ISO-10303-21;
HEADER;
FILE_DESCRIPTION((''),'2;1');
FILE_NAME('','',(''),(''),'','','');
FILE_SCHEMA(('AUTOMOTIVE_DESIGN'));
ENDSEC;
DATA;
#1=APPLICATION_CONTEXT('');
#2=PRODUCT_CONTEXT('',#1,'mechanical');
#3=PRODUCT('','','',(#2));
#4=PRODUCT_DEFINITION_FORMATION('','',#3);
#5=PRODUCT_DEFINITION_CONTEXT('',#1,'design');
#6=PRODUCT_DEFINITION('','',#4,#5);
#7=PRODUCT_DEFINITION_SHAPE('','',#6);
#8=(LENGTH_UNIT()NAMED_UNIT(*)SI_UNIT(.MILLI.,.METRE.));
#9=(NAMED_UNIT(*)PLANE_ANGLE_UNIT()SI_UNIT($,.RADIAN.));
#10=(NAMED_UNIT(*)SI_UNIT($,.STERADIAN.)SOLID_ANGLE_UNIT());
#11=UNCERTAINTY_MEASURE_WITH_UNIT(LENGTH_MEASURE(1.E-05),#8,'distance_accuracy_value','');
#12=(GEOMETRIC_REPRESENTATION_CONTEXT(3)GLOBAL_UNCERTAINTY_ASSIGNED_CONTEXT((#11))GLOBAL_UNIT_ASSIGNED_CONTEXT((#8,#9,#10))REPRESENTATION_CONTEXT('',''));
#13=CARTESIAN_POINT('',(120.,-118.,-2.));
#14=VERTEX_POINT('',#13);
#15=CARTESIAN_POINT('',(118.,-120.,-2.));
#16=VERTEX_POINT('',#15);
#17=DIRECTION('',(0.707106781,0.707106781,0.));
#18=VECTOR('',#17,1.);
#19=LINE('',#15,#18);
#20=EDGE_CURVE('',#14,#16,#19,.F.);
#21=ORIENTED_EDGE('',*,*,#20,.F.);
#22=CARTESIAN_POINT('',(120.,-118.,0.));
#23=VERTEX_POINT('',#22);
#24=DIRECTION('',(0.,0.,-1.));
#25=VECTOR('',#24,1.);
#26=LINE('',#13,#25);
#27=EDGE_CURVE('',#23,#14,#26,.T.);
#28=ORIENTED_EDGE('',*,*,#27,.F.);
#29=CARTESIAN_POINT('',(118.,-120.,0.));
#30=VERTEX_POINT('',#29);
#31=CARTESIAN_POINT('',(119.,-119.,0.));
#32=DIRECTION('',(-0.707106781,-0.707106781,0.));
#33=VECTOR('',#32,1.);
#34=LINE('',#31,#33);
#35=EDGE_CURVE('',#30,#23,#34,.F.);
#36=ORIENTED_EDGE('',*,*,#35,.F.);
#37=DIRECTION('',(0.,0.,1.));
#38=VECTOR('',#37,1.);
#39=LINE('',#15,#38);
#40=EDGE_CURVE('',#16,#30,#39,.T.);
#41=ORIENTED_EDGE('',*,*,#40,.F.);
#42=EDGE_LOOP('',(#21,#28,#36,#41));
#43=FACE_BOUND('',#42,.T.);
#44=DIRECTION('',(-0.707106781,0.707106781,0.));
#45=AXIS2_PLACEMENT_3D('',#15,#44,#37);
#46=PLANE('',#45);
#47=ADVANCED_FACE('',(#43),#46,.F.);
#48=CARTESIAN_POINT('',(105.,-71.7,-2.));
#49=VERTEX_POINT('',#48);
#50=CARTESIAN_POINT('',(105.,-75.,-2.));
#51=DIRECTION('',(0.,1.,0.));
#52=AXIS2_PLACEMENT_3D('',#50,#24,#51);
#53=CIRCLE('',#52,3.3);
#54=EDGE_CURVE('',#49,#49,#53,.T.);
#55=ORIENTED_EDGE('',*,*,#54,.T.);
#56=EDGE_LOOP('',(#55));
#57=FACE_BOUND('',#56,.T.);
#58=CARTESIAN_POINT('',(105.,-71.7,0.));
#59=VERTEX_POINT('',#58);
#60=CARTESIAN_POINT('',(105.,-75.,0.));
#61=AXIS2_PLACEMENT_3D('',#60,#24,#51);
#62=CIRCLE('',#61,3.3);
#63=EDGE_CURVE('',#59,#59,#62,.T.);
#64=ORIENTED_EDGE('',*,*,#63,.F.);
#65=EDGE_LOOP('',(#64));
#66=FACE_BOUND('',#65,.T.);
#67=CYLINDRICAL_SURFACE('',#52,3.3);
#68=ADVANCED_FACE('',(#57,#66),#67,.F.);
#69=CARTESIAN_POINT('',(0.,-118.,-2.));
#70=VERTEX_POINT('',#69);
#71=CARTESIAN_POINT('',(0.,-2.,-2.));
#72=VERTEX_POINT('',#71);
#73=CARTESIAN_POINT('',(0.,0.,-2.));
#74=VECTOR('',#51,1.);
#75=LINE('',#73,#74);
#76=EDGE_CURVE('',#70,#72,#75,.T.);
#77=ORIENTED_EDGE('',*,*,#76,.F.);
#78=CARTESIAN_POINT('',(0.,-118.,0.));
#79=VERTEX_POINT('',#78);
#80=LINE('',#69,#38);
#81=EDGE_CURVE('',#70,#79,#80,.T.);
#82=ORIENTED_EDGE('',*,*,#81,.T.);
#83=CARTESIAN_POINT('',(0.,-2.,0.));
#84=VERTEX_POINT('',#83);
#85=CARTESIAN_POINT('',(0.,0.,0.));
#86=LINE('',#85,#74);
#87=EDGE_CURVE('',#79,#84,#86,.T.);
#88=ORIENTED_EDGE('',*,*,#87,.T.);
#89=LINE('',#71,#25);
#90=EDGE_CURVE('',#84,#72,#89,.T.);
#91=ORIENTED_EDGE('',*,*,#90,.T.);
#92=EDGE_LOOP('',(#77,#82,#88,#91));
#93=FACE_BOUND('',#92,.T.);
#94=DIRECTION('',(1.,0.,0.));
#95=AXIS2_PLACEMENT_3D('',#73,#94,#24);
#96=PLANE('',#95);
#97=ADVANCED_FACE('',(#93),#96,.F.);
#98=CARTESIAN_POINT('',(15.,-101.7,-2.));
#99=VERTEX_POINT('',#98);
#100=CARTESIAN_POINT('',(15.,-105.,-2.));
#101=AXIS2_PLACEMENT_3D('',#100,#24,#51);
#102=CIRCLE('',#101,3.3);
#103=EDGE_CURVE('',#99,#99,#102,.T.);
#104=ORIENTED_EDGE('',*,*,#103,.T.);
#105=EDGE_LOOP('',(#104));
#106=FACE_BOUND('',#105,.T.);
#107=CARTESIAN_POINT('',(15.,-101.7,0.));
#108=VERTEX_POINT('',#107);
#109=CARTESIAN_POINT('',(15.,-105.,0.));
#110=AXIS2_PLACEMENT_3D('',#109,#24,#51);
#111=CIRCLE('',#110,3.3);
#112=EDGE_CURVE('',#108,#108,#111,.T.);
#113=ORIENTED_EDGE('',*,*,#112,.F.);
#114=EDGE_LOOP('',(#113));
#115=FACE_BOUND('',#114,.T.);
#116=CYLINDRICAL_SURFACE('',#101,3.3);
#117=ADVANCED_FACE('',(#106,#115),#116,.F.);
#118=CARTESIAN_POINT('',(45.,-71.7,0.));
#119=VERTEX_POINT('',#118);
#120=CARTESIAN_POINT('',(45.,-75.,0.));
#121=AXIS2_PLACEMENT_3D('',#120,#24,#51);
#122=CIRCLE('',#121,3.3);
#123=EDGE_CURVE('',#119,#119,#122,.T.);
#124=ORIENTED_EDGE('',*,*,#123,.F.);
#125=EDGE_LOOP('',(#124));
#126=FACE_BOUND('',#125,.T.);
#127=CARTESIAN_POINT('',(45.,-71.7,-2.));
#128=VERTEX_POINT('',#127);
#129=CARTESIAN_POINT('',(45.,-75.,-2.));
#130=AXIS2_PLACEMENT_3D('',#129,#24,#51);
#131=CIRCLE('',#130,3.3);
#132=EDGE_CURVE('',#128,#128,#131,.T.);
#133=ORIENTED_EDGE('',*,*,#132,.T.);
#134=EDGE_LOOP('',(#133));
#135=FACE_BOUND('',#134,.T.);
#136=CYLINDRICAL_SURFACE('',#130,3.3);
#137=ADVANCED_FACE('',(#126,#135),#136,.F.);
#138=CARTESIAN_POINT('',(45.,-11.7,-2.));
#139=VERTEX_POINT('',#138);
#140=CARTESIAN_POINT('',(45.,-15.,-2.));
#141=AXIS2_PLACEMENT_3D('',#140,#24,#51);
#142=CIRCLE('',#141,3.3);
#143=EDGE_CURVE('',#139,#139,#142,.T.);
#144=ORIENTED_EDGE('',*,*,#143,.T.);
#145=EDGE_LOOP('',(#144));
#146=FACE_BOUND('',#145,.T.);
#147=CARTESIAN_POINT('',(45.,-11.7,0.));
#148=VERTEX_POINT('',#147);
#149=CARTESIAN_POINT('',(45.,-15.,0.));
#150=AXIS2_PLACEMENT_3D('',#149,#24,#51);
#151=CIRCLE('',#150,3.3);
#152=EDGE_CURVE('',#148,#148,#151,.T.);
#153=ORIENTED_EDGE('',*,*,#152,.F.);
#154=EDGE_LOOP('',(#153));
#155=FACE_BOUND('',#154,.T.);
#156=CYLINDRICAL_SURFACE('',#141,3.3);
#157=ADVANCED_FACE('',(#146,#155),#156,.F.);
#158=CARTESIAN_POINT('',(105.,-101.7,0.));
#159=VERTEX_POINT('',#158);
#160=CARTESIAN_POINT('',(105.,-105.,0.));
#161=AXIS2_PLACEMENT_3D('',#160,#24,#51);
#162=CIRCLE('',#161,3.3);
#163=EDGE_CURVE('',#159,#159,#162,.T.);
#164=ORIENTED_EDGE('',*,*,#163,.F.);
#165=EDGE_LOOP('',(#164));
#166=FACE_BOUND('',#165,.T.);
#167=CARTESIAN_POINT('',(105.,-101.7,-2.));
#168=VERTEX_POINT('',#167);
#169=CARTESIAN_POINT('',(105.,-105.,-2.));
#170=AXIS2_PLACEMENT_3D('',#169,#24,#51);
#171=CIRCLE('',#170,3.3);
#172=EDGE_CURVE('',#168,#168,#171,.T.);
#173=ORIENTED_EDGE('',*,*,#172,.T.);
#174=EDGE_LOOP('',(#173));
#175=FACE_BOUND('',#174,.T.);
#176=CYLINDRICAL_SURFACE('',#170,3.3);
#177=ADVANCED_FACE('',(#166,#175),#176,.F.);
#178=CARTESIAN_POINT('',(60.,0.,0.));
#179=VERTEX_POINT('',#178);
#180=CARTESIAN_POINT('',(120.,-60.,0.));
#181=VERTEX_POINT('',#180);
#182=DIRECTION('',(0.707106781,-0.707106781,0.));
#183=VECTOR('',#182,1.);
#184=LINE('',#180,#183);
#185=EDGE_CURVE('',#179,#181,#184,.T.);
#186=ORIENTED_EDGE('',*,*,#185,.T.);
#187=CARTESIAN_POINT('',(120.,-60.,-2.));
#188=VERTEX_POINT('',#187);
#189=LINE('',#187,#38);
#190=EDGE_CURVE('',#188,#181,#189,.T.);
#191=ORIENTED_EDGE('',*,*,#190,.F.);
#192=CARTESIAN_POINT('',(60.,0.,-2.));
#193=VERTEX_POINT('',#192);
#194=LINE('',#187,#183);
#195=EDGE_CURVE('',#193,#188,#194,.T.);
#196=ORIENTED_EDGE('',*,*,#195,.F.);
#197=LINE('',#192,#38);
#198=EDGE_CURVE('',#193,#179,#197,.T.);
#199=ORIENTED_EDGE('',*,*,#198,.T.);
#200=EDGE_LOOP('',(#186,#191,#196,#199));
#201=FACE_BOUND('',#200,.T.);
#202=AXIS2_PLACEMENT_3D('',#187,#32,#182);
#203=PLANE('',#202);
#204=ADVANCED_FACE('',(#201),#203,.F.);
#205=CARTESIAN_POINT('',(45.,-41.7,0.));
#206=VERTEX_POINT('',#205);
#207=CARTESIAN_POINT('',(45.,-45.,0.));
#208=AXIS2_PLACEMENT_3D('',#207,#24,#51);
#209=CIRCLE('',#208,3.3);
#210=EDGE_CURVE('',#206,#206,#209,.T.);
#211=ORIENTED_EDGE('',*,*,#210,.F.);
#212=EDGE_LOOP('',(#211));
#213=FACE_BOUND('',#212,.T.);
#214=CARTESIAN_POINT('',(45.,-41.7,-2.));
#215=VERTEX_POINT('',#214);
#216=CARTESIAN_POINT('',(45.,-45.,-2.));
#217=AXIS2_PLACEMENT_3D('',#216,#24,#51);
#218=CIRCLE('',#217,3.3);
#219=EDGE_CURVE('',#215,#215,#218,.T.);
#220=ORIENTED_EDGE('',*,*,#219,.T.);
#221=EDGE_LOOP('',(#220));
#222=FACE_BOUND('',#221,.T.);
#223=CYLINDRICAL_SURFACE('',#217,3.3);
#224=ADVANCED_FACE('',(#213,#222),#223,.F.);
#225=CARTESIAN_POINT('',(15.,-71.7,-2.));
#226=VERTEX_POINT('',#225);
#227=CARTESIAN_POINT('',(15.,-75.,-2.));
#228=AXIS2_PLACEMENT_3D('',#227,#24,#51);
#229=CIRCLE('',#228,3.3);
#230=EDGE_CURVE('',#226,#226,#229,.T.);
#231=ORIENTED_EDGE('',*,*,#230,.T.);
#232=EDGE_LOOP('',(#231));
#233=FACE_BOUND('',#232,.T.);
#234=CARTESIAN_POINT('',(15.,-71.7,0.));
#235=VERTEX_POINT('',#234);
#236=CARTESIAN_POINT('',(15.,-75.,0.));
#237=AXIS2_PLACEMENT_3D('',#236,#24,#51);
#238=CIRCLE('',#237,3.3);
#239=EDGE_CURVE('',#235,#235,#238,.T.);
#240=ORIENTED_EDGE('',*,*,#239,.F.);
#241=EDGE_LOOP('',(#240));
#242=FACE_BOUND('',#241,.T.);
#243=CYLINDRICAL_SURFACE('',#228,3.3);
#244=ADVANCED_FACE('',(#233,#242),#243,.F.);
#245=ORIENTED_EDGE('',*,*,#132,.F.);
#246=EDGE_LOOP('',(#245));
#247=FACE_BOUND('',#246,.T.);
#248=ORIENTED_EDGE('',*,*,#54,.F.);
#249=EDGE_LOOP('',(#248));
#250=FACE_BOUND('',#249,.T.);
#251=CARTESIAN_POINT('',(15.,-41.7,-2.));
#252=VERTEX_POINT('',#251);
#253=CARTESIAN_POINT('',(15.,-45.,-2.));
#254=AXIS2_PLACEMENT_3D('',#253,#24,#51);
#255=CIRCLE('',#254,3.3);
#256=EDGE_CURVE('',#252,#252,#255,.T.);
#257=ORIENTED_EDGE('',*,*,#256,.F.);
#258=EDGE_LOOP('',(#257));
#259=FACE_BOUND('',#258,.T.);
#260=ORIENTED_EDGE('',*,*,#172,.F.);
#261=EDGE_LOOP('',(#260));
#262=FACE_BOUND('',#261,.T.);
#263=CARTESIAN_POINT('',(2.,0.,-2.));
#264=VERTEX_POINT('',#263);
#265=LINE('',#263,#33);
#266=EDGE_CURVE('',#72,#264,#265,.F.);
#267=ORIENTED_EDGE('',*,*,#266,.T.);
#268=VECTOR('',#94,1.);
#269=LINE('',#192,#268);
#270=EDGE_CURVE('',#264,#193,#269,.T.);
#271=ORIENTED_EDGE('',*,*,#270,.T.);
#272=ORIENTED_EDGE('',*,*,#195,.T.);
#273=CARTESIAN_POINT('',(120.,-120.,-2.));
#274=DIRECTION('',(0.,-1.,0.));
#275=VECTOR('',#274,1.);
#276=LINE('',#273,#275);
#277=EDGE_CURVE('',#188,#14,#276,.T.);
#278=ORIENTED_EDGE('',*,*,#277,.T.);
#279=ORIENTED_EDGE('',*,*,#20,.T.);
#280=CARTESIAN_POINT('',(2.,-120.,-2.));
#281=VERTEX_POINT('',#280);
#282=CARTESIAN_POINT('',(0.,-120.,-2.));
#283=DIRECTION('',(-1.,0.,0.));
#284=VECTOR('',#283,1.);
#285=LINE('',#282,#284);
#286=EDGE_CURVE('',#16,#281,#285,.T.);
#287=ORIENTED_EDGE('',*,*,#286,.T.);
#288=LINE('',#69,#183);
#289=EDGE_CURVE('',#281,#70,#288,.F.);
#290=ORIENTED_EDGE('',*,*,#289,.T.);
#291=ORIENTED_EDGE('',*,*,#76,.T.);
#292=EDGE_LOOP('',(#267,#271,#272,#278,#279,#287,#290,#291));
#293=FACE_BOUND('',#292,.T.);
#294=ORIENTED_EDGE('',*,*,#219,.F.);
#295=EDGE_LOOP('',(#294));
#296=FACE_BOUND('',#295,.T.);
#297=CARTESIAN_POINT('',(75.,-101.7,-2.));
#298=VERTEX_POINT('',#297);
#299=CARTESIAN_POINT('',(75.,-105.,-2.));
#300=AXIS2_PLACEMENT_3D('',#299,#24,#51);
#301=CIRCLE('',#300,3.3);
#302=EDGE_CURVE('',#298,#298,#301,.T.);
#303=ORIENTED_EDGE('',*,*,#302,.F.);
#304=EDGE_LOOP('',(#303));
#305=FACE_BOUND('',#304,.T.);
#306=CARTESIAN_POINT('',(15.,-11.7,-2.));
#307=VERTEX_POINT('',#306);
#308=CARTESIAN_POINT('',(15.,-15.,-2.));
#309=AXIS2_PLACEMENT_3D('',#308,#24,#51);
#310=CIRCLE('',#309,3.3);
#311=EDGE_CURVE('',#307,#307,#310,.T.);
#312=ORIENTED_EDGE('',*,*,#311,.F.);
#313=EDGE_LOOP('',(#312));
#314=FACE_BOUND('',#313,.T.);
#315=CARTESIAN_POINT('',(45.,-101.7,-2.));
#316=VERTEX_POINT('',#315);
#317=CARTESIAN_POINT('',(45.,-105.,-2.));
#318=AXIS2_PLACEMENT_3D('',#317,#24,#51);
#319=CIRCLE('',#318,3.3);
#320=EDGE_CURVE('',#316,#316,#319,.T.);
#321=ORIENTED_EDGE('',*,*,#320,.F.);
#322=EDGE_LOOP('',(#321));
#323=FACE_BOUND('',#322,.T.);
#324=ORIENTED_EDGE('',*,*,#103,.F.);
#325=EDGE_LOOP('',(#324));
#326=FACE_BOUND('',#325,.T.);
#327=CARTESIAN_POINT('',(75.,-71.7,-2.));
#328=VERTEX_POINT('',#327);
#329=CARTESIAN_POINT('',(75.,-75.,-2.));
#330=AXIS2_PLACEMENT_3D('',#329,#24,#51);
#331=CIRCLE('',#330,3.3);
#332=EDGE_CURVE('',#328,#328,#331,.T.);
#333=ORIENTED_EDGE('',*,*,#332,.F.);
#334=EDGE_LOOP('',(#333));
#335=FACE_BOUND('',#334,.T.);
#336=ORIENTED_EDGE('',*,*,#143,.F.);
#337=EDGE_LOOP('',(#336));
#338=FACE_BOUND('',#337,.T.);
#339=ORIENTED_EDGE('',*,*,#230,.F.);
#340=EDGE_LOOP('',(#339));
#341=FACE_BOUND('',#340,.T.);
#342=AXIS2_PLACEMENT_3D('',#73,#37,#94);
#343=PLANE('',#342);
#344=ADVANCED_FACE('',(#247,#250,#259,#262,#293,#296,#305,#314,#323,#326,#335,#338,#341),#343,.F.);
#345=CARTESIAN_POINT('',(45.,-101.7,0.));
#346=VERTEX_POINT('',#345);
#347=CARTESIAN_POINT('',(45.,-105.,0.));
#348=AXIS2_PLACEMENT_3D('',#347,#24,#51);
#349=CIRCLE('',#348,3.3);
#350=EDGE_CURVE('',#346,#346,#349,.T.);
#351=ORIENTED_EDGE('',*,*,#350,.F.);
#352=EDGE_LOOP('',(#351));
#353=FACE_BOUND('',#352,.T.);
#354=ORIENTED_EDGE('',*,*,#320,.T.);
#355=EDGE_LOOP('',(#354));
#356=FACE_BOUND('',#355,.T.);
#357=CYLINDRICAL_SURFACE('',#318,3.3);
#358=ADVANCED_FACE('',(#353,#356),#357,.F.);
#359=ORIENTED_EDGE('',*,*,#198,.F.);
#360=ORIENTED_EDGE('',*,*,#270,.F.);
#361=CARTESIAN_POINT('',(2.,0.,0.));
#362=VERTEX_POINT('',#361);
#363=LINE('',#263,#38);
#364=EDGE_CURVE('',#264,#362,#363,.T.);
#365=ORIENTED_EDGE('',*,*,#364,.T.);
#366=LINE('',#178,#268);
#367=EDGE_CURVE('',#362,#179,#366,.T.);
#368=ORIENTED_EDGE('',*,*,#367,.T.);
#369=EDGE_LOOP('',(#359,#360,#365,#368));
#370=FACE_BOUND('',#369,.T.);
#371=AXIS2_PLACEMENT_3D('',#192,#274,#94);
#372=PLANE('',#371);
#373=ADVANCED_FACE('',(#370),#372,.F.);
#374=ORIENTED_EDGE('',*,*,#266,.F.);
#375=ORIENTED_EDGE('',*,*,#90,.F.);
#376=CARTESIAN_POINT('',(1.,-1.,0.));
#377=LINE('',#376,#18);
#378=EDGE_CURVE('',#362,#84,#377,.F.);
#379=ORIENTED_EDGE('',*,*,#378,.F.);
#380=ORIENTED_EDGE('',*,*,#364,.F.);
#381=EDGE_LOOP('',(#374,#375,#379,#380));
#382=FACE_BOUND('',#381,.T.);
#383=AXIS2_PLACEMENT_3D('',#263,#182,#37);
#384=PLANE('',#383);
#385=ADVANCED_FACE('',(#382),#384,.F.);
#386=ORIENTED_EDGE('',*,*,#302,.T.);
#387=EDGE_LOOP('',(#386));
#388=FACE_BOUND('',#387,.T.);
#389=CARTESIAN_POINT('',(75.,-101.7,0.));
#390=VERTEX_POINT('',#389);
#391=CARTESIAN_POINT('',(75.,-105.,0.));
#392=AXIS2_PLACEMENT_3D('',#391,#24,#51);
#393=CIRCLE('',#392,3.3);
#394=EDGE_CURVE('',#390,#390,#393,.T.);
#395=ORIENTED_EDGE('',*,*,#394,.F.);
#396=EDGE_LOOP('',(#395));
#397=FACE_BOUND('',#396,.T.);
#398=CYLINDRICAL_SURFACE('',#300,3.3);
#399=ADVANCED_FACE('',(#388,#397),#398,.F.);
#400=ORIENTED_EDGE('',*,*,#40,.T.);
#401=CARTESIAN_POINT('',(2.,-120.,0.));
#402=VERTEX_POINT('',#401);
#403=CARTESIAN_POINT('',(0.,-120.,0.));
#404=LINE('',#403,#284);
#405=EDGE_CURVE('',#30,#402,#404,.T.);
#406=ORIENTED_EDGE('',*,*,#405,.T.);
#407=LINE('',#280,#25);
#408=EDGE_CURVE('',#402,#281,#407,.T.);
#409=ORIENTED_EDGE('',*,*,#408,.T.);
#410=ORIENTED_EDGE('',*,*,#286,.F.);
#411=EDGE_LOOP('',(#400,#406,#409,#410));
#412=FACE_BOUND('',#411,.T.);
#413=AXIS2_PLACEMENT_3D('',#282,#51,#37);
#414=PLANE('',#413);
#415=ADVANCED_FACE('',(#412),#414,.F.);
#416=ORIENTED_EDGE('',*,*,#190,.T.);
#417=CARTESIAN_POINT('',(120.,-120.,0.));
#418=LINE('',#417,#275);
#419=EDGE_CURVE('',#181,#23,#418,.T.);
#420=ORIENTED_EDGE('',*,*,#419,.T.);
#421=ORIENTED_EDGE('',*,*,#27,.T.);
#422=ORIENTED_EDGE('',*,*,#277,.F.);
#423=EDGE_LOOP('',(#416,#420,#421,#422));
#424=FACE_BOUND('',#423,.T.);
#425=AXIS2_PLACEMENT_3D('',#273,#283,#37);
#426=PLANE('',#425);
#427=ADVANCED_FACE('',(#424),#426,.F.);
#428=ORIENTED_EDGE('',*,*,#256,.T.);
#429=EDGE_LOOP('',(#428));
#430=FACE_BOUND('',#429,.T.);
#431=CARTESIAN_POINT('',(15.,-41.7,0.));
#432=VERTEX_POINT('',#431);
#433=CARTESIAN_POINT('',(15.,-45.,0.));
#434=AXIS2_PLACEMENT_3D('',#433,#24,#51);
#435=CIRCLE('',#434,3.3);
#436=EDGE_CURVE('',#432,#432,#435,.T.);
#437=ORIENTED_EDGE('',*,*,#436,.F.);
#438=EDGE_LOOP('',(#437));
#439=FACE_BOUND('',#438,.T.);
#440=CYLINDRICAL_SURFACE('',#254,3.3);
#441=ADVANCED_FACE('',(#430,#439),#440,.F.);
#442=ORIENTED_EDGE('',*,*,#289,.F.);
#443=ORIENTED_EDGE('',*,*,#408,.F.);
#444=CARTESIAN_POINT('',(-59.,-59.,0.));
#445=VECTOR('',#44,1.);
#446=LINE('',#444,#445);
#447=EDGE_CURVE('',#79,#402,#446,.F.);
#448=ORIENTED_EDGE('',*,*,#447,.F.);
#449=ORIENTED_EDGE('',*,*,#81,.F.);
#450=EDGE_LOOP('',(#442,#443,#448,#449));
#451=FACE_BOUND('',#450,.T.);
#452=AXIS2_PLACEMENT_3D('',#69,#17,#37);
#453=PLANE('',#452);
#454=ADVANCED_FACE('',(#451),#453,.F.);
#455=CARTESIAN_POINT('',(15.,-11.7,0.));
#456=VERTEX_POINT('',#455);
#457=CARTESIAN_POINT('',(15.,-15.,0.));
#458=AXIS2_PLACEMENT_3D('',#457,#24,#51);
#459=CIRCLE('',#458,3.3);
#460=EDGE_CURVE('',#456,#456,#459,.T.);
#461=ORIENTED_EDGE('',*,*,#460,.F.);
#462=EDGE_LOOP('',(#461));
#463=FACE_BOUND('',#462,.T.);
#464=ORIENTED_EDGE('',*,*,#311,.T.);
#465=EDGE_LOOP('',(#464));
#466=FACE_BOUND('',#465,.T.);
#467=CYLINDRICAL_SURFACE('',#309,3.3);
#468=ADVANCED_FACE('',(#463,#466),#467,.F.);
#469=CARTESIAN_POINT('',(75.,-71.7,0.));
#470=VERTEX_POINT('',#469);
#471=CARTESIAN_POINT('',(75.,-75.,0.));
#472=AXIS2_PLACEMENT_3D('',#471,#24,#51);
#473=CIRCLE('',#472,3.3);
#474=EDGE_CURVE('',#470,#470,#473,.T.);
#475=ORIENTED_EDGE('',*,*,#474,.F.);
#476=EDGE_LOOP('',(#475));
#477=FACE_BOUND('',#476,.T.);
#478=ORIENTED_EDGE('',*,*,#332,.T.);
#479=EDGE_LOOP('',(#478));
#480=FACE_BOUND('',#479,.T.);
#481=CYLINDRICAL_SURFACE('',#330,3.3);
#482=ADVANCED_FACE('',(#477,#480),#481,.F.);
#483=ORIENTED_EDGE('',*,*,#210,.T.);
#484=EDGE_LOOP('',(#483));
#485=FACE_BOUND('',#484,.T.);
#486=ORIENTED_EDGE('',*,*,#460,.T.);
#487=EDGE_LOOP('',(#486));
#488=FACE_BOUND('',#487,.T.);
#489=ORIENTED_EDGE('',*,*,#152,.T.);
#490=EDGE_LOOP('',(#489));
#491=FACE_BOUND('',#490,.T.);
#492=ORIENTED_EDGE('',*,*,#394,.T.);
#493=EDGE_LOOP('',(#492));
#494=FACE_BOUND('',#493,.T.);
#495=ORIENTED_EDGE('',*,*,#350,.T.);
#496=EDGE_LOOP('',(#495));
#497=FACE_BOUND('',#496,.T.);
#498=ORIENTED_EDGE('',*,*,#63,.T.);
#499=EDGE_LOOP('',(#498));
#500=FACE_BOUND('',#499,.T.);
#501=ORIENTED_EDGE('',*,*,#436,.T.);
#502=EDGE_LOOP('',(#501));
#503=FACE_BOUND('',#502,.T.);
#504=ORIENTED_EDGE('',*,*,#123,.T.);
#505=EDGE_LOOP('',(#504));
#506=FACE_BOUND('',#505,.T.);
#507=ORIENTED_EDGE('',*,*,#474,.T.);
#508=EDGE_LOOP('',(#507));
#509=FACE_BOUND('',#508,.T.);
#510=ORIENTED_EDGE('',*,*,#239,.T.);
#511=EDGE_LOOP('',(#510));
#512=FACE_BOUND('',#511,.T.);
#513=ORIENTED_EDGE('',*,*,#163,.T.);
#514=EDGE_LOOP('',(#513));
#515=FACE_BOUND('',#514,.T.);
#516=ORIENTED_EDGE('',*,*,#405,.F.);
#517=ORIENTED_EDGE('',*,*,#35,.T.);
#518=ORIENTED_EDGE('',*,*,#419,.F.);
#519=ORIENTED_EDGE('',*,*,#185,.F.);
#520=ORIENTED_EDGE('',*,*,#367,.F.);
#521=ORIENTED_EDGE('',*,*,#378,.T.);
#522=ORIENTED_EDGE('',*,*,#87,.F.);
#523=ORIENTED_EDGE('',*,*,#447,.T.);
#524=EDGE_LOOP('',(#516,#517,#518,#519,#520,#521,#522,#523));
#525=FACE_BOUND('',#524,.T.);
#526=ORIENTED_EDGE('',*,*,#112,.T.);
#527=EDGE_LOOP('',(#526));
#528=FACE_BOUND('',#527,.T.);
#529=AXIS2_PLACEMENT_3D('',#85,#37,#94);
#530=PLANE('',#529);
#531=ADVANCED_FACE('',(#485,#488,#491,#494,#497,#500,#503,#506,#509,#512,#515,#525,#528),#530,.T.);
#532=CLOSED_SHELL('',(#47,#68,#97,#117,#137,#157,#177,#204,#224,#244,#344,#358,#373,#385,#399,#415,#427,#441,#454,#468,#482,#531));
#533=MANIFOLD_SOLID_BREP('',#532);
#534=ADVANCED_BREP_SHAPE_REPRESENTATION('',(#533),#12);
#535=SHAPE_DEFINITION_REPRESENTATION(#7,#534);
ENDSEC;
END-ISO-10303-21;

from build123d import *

# Parameters (mm, degrees)
EXTRUDE_1_DEPTH   = 2
HOLE_WIZARD_M61_D = 6.6
CHAMFER_1_SIZE    = 2


with BuildPart() as part:
    # Эскиз1 → Бобышка-Вытянуть1 (new body)
    with BuildSketch(Plane(origin=(0, 0, 0), x_dir=(1, 0, 0), z_dir=(0, 0, -1))):
        Polygon((0, 0), (0, 120), (120, 120), (120, 60), (60, 0), align=None)
    extrude(amount=EXTRUDE_1_DEPTH)

    # Отверстие с зазором M61 (through all)
    with Locations(Plane(origin=(0, 0, -2), x_dir=(1, 0, 0), z_dir=(0, 0, -1))):
        with Locations((15, 105), (15, 75), (15, 45), (15, 15), (45, 105), (45, 75), (45, 45), (45, 15), (75, 105), (75, 75), (105, 105), (105, 75)):
            Hole(HOLE_WIZARD_M61_D / 2)

    # Фаска1
    chamfer_1_edges = [part.edges().sort_by_distance(p)[0] for p in [
        (0, 0, -1),
        (0, -120, -1),
        (120, -120, -1),
    ]]
    chamfer(chamfer_1_edges, length=CHAMFER_1_SIZE)


solid = part.part
